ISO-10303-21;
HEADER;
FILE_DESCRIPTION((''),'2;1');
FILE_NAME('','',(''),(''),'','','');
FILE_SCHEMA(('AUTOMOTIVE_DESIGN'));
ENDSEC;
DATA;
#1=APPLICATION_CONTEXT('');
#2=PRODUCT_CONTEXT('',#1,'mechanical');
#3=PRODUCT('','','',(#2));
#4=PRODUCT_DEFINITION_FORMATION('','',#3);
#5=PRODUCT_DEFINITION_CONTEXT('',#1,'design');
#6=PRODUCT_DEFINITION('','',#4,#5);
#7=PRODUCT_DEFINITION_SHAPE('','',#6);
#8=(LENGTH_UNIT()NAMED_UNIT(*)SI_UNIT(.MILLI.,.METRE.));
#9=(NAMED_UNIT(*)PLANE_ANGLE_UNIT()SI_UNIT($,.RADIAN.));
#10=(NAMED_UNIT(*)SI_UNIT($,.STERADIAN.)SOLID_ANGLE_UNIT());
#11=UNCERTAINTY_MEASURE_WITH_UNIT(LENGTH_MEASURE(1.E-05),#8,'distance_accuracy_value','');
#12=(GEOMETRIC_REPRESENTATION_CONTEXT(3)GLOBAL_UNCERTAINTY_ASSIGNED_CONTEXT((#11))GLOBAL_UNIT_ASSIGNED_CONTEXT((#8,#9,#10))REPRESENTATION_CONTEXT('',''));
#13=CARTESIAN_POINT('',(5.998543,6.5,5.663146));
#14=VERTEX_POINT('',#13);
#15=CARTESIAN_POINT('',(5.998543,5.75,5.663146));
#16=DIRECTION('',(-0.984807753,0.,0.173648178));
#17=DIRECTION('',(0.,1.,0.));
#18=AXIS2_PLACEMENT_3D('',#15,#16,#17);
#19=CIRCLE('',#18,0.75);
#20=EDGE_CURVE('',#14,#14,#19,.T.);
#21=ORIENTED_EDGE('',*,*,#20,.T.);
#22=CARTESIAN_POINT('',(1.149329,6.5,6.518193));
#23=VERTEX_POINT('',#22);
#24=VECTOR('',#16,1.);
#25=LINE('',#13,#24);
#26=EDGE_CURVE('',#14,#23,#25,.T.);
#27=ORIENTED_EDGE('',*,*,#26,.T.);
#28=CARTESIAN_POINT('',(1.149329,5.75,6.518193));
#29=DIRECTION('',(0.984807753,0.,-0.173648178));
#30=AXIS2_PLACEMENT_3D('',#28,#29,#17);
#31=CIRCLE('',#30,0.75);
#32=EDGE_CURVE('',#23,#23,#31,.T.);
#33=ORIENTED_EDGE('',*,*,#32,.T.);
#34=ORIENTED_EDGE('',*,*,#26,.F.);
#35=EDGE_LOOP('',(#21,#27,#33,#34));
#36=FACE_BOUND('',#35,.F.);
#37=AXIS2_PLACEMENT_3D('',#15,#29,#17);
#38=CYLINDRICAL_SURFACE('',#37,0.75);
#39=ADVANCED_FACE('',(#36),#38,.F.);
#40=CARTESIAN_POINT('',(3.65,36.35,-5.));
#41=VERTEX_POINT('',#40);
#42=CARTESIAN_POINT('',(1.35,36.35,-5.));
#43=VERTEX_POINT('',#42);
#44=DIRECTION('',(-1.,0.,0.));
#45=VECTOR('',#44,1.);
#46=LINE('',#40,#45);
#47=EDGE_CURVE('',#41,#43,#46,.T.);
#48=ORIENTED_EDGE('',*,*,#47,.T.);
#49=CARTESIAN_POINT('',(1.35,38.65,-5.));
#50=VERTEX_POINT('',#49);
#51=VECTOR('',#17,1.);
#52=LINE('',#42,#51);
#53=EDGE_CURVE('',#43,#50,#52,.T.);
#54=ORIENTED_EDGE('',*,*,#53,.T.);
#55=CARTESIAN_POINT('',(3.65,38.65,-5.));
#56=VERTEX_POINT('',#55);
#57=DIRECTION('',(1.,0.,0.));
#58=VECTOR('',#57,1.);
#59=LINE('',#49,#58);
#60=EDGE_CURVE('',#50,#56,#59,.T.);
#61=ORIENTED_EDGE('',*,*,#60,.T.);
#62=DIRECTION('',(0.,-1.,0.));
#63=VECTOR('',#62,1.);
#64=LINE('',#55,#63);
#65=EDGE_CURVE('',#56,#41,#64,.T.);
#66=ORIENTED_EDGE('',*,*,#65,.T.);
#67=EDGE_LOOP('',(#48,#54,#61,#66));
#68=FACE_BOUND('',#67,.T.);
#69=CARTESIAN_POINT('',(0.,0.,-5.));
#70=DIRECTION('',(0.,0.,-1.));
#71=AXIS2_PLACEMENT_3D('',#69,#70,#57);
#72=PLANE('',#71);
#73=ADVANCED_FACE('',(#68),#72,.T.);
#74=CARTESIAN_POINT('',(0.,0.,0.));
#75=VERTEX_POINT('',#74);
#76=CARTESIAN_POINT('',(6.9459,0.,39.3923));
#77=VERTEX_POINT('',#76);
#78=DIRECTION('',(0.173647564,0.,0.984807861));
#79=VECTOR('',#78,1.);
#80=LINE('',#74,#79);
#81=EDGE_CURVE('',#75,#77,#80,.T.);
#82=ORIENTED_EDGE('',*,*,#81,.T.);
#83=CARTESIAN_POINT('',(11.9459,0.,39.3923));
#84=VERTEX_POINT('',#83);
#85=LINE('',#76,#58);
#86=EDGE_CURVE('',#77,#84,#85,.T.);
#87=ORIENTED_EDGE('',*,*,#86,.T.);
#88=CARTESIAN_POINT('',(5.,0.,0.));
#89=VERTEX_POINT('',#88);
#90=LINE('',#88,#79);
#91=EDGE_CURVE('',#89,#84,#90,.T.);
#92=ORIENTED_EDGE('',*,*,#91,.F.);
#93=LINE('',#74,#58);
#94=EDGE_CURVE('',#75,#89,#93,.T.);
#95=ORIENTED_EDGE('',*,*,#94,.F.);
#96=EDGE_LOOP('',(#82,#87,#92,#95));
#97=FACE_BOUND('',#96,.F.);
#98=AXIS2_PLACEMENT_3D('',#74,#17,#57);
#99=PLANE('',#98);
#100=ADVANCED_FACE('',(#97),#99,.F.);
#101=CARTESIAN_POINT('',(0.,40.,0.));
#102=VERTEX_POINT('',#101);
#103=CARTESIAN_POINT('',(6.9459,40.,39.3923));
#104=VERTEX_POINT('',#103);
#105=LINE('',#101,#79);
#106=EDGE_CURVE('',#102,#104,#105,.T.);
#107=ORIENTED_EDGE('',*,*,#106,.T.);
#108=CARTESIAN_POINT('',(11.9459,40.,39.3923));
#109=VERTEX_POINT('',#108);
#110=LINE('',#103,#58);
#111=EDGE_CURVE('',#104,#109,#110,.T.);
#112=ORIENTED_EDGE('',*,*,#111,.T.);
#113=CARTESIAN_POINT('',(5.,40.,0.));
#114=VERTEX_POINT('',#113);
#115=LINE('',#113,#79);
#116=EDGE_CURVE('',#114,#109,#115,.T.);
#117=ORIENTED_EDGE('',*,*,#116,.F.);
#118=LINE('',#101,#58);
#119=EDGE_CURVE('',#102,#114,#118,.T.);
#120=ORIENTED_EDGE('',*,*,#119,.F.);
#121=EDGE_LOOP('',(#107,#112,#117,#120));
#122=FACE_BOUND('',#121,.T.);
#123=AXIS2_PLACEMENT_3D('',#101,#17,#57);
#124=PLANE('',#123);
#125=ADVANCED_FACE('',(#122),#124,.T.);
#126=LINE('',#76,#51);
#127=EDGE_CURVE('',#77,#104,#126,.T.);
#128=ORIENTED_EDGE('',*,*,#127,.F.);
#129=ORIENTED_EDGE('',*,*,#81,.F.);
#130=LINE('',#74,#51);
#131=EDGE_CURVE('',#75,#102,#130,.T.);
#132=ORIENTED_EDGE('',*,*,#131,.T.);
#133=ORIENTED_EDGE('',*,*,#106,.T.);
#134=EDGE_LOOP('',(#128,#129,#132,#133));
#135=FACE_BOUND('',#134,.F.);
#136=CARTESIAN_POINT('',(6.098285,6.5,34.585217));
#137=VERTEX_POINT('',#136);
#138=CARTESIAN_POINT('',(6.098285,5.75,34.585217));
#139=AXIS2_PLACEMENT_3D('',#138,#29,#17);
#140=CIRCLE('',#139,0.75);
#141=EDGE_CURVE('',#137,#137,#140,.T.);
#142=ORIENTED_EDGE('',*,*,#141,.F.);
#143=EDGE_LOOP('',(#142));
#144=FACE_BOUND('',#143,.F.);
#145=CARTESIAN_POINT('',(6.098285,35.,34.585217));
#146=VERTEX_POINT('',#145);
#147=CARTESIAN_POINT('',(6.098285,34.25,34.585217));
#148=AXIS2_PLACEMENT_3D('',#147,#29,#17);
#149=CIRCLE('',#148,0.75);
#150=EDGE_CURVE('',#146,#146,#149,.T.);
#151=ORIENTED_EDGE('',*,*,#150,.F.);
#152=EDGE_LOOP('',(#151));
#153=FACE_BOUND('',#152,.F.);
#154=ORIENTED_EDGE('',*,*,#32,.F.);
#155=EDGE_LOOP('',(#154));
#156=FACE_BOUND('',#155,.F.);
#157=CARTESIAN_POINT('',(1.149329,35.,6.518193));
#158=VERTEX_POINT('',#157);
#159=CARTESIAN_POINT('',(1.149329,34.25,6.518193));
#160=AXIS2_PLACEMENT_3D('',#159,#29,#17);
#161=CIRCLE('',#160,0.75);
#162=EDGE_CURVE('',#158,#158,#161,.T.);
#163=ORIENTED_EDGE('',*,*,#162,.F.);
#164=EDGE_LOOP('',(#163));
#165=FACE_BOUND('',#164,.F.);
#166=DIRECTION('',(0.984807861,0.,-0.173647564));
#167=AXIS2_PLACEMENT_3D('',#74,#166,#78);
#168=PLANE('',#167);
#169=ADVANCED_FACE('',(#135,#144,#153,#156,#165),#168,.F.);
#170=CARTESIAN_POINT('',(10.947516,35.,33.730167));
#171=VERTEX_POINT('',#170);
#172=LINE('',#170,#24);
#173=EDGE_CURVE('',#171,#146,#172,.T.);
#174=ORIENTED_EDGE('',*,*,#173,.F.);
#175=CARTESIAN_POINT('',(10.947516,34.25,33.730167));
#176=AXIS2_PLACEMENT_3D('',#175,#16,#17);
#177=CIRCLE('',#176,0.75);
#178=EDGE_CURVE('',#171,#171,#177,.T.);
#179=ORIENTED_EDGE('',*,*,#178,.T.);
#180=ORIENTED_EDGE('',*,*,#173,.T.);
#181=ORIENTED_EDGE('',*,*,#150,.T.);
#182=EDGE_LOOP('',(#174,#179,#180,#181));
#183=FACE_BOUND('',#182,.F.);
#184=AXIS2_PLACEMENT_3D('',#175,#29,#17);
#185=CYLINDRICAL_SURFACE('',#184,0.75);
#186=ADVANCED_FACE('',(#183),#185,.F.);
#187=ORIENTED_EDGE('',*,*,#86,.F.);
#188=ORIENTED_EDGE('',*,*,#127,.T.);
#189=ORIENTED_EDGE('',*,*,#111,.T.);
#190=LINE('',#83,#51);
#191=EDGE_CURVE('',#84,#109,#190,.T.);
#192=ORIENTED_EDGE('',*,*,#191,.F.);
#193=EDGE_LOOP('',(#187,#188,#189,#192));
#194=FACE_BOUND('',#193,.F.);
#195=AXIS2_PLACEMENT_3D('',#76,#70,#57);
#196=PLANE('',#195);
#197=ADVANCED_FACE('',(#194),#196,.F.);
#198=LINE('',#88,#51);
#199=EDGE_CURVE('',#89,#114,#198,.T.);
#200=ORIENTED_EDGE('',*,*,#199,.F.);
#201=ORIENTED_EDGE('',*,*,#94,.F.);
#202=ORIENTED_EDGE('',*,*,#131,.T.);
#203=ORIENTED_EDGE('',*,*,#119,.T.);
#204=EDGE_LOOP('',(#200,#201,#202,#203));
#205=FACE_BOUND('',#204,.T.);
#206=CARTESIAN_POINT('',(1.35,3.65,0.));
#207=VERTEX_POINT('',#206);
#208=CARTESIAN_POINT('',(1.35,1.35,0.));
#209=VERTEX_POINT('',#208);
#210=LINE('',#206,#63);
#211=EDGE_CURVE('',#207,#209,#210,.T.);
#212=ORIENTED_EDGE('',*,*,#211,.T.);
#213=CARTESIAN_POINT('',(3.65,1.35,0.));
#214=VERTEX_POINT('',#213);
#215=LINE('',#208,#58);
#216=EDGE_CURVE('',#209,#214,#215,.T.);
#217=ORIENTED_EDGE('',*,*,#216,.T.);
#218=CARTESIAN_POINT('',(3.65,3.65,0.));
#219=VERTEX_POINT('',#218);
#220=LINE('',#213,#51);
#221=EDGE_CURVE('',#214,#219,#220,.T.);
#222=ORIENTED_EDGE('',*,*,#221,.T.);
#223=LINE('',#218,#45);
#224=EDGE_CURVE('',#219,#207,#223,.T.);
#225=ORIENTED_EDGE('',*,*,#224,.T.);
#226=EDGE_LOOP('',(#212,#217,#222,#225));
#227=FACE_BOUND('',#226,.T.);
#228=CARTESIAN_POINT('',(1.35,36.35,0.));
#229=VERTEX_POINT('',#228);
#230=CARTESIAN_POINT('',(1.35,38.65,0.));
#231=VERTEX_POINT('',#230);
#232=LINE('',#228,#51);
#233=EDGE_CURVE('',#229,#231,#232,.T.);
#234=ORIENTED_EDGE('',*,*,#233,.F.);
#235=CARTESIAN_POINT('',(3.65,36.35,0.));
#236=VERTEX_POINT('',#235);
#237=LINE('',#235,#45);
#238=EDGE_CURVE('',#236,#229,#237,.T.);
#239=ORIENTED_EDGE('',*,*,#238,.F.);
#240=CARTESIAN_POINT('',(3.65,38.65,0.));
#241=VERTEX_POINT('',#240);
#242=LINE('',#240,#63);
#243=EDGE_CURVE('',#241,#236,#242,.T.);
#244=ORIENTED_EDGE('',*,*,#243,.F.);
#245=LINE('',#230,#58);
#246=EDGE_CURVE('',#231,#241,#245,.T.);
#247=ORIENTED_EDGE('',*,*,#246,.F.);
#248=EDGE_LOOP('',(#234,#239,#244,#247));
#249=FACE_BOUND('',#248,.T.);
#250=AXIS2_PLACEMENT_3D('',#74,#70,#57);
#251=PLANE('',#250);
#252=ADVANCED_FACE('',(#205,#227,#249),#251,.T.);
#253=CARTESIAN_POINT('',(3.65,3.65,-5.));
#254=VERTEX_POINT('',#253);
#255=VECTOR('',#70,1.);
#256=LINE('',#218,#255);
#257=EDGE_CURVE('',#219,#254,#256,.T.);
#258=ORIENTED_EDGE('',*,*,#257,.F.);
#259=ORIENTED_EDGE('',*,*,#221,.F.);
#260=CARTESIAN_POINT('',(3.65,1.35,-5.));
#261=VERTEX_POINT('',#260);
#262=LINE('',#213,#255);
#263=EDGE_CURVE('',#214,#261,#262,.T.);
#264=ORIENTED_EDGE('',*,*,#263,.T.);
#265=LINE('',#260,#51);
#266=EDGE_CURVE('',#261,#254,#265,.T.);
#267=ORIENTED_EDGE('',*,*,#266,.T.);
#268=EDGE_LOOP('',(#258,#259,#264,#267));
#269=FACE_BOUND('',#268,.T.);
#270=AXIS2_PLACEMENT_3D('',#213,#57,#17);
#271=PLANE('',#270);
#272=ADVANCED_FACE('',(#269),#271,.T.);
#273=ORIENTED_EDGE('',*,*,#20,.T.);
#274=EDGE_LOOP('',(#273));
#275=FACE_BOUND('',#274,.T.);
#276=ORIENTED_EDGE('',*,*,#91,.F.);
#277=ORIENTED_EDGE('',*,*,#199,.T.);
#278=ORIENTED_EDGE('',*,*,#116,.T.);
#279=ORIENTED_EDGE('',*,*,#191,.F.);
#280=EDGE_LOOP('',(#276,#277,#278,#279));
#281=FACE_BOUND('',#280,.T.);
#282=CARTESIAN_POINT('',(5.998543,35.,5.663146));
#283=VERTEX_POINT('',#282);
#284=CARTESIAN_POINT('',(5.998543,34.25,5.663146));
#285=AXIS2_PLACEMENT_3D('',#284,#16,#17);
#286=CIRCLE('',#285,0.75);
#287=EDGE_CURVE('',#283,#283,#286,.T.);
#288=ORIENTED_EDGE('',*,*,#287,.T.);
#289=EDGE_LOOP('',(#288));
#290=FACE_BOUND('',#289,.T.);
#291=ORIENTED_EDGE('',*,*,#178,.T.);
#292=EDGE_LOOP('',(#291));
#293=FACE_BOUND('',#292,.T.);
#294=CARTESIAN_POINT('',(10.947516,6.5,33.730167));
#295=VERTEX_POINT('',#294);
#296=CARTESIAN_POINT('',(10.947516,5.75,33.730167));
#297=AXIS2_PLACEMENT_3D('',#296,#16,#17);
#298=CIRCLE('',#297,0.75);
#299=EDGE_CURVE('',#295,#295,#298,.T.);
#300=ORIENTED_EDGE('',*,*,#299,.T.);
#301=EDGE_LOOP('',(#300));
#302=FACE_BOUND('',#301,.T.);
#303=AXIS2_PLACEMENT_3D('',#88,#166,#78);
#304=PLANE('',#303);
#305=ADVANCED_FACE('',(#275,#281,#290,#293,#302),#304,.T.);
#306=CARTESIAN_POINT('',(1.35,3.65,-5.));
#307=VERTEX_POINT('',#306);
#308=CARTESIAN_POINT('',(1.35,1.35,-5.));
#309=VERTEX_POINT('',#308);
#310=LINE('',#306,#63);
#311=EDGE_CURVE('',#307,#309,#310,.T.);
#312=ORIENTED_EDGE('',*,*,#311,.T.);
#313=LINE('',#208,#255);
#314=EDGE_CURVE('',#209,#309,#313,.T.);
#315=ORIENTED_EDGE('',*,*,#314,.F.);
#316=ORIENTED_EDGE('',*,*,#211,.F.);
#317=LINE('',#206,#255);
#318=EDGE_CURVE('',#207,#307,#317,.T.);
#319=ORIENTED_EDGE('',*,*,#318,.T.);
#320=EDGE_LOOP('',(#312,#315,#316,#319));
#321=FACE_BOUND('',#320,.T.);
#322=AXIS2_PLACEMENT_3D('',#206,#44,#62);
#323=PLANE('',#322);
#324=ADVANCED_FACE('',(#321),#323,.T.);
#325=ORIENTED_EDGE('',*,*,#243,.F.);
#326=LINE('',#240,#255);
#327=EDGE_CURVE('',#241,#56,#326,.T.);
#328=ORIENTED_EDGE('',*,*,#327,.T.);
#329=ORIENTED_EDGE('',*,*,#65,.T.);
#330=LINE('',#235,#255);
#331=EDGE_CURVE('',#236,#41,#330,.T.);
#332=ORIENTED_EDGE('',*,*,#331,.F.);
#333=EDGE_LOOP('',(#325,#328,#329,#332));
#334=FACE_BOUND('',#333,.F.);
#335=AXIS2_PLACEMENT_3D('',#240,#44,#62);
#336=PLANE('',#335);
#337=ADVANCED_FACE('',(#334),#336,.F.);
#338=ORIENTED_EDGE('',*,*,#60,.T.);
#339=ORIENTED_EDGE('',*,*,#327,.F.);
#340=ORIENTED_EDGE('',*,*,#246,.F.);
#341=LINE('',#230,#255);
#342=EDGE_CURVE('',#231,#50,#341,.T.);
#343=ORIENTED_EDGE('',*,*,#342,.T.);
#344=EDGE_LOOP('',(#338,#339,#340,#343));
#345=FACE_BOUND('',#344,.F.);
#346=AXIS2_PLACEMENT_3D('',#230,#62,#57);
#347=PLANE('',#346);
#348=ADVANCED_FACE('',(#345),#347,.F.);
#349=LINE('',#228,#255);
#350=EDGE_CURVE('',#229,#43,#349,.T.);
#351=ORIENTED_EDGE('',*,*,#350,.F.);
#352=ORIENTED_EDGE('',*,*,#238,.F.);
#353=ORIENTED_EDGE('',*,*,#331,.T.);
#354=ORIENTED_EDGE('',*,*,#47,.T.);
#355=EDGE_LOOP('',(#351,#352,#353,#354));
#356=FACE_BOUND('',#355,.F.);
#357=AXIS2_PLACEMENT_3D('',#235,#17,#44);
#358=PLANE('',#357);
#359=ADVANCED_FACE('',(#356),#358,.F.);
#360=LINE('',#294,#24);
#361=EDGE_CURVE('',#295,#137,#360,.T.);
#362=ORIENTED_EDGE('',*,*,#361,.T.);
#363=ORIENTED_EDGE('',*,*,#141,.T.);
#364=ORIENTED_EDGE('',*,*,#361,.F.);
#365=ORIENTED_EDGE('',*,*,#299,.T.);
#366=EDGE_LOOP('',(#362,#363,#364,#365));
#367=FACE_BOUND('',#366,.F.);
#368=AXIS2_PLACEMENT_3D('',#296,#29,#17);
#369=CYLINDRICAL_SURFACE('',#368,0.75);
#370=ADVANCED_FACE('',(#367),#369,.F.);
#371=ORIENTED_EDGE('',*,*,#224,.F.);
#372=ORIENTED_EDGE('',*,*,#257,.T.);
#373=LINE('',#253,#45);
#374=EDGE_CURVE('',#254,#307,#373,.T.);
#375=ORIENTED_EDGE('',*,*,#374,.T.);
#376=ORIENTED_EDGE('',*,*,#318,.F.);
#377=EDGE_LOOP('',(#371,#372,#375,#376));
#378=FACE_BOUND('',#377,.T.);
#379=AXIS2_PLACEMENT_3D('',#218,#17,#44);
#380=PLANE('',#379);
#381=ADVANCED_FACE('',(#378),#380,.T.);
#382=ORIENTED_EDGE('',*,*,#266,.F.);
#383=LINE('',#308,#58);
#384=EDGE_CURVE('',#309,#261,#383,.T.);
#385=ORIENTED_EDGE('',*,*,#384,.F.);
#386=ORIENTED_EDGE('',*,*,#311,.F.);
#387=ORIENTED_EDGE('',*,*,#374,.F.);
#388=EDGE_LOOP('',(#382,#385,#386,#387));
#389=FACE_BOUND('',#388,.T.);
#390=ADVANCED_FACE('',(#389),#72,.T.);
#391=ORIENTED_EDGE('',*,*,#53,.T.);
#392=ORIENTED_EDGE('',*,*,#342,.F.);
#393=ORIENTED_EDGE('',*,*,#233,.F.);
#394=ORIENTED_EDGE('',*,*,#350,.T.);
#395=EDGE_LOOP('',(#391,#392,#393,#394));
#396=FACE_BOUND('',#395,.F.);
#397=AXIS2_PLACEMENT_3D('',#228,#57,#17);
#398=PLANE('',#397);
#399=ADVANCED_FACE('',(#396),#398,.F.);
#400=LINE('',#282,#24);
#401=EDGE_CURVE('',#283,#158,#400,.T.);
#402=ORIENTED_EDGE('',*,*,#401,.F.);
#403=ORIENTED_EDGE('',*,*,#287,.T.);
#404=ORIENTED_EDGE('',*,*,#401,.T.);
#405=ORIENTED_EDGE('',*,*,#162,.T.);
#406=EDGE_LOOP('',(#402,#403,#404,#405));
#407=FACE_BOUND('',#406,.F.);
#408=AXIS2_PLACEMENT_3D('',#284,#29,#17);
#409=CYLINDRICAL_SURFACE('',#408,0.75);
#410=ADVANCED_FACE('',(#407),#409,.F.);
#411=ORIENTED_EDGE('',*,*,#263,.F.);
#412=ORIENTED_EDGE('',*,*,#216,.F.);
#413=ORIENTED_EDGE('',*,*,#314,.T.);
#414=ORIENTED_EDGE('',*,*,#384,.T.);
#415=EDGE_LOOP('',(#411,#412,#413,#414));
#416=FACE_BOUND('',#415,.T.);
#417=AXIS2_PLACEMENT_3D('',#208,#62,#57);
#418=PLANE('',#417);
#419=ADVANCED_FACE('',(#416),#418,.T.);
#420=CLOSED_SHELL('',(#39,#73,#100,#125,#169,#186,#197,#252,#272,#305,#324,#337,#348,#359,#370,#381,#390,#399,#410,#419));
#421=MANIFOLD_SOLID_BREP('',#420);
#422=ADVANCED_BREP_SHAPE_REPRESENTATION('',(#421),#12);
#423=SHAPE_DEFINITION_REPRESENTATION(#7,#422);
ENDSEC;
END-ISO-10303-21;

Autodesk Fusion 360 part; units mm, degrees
sketch "Sketch1" plane through (0, 0, 0) normal (0, 1, 0) x (1, 0, 0)
  line L0 (0, 0) -> (6.9459, -39.3923)
  line L1 (0, 0) -> (40, 0) construction
  line L2 (0, 0) -> (5, 0)
  line L3 (6.9459, -39.3923) -> (11.9459, -39.3923)
  line L4 (5, 0) -> (11.9459, -39.3923)
  dimension "d1" = 80
  dimension "d2" = 40
  dimension "d3" = 5
  dimension "d4" = 5
extrude "Extrude1" add sketch "Sketch1" along normal blind 40
sketch "Sketch2" plane through (0, 0, 0) normal (0, 0, -1) x (1, 0, 0)
  line L0 (5, 0) -> (0, 0)
  line L1 (0, 0) -> (0, -40)
  line L2 (0, -40) -> (5, -40)
  line L3 (5, -40) -> (5, 0)
  line L4 (0, -40) -> (0, -38.75)
  line L5 (0, -38.75) -> (0, -38.65)
  line L6 (0, -38.65) -> (1.35, -38.65)
  line L7 (1.35, -38.65) -> (3.65, -38.65)
  line L8 (3.65, -38.65) -> (3.65, -36.35)
  line L9 (3.65, -36.35) -> (1.35, -36.35)
  line L10 (1.35, -36.35) -> (1.35, -38.65)
  line L11 (0, 0) -> (0, -1.35)
  line L12 (0, -1.35) -> (1.35, -1.35)
  line L13 (1.35, -1.35) -> (3.65, -1.35)
  line L14 (3.65, -1.35) -> (3.65, -3.65)
  line L15 (3.65, -3.65) -> (1.35, -3.65)
  line L16 (1.35, -3.65) -> (1.35, -1.35)
  dimension "d7" = 1.25
  dimension "d8" = 0.1
  dimension "d9" = 1.35
  dimension "d10" = 2.3
  dimension "d11" = 2.3
  dimension "d12" = 1.35
  dimension "d13" = 1.35
  dimension "d14" = 2.3
  dimension "d15" = 2.3
extrude "Extrude2" add sketch "Sketch2" along normal blind 5 contours L13 L14 L15 L16 | L7 L8 L9 L10
sketch "Sketch3" plane through (4.8492, 0, -0.8551) normal (0.9848, 0, -0.1736) x (0, 1, 0)
  line L0 (0, 40.8682) -> (0, 0.8682)
  line L1 (0, 0.8682) -> (40, 0.8682)
  line L2 (40, 0.8682) -> (40, 40.8682)
  line L3 (40, 40.8682) -> (0, 40.8682)
  line L4 (5.9613, 40.8682) -> (5.9613, 35.8682)
  line L5 (0, 35.8688) -> (5, 35.8688)
  line L6 (5, 35.8688) -> (5, 35.1188)
  line L7 (5, 35.1188) -> (5.75, 35.1188)
  circle A0 centre (5.75, 35.1188) radius 0.75
  line L8 (5.75, 35.1188) -> (34.25, 35.1188)
  circle A1 centre (34.25, 35.1188) radius 0.75
  line L9 (5.75, 35.1188) -> (5.75, 6.6188)
  circle A2 centre (5.75, 6.6188) radius 0.75
  line L10 (5.75, 6.6188) -> (34.25, 6.6188)
  circle A3 centre (34.25, 6.6188) radius 0.75
  dimension "d18" = 5
  dimension "d19" = 5
  dimension "d20" = 0.75
  dimension "d21" = 0.75
  dimension "d22" = 1.5
  dimension "d23" = 28.5
  dimension "d24" = 1.5
  dimension "d25" = 28.5
  dimension "d26" = 1.5
  dimension "d27" = 28.5
  dimension "d28" = 1.5
extrude "Extrude3" cut sketch "Sketch3" against normal blind 7098 contours A1 | A3 | L9 A2 L10 | L9 A2 L10 | L7 A0 L8 | L7 A0 L9 | A0 L8 L9
